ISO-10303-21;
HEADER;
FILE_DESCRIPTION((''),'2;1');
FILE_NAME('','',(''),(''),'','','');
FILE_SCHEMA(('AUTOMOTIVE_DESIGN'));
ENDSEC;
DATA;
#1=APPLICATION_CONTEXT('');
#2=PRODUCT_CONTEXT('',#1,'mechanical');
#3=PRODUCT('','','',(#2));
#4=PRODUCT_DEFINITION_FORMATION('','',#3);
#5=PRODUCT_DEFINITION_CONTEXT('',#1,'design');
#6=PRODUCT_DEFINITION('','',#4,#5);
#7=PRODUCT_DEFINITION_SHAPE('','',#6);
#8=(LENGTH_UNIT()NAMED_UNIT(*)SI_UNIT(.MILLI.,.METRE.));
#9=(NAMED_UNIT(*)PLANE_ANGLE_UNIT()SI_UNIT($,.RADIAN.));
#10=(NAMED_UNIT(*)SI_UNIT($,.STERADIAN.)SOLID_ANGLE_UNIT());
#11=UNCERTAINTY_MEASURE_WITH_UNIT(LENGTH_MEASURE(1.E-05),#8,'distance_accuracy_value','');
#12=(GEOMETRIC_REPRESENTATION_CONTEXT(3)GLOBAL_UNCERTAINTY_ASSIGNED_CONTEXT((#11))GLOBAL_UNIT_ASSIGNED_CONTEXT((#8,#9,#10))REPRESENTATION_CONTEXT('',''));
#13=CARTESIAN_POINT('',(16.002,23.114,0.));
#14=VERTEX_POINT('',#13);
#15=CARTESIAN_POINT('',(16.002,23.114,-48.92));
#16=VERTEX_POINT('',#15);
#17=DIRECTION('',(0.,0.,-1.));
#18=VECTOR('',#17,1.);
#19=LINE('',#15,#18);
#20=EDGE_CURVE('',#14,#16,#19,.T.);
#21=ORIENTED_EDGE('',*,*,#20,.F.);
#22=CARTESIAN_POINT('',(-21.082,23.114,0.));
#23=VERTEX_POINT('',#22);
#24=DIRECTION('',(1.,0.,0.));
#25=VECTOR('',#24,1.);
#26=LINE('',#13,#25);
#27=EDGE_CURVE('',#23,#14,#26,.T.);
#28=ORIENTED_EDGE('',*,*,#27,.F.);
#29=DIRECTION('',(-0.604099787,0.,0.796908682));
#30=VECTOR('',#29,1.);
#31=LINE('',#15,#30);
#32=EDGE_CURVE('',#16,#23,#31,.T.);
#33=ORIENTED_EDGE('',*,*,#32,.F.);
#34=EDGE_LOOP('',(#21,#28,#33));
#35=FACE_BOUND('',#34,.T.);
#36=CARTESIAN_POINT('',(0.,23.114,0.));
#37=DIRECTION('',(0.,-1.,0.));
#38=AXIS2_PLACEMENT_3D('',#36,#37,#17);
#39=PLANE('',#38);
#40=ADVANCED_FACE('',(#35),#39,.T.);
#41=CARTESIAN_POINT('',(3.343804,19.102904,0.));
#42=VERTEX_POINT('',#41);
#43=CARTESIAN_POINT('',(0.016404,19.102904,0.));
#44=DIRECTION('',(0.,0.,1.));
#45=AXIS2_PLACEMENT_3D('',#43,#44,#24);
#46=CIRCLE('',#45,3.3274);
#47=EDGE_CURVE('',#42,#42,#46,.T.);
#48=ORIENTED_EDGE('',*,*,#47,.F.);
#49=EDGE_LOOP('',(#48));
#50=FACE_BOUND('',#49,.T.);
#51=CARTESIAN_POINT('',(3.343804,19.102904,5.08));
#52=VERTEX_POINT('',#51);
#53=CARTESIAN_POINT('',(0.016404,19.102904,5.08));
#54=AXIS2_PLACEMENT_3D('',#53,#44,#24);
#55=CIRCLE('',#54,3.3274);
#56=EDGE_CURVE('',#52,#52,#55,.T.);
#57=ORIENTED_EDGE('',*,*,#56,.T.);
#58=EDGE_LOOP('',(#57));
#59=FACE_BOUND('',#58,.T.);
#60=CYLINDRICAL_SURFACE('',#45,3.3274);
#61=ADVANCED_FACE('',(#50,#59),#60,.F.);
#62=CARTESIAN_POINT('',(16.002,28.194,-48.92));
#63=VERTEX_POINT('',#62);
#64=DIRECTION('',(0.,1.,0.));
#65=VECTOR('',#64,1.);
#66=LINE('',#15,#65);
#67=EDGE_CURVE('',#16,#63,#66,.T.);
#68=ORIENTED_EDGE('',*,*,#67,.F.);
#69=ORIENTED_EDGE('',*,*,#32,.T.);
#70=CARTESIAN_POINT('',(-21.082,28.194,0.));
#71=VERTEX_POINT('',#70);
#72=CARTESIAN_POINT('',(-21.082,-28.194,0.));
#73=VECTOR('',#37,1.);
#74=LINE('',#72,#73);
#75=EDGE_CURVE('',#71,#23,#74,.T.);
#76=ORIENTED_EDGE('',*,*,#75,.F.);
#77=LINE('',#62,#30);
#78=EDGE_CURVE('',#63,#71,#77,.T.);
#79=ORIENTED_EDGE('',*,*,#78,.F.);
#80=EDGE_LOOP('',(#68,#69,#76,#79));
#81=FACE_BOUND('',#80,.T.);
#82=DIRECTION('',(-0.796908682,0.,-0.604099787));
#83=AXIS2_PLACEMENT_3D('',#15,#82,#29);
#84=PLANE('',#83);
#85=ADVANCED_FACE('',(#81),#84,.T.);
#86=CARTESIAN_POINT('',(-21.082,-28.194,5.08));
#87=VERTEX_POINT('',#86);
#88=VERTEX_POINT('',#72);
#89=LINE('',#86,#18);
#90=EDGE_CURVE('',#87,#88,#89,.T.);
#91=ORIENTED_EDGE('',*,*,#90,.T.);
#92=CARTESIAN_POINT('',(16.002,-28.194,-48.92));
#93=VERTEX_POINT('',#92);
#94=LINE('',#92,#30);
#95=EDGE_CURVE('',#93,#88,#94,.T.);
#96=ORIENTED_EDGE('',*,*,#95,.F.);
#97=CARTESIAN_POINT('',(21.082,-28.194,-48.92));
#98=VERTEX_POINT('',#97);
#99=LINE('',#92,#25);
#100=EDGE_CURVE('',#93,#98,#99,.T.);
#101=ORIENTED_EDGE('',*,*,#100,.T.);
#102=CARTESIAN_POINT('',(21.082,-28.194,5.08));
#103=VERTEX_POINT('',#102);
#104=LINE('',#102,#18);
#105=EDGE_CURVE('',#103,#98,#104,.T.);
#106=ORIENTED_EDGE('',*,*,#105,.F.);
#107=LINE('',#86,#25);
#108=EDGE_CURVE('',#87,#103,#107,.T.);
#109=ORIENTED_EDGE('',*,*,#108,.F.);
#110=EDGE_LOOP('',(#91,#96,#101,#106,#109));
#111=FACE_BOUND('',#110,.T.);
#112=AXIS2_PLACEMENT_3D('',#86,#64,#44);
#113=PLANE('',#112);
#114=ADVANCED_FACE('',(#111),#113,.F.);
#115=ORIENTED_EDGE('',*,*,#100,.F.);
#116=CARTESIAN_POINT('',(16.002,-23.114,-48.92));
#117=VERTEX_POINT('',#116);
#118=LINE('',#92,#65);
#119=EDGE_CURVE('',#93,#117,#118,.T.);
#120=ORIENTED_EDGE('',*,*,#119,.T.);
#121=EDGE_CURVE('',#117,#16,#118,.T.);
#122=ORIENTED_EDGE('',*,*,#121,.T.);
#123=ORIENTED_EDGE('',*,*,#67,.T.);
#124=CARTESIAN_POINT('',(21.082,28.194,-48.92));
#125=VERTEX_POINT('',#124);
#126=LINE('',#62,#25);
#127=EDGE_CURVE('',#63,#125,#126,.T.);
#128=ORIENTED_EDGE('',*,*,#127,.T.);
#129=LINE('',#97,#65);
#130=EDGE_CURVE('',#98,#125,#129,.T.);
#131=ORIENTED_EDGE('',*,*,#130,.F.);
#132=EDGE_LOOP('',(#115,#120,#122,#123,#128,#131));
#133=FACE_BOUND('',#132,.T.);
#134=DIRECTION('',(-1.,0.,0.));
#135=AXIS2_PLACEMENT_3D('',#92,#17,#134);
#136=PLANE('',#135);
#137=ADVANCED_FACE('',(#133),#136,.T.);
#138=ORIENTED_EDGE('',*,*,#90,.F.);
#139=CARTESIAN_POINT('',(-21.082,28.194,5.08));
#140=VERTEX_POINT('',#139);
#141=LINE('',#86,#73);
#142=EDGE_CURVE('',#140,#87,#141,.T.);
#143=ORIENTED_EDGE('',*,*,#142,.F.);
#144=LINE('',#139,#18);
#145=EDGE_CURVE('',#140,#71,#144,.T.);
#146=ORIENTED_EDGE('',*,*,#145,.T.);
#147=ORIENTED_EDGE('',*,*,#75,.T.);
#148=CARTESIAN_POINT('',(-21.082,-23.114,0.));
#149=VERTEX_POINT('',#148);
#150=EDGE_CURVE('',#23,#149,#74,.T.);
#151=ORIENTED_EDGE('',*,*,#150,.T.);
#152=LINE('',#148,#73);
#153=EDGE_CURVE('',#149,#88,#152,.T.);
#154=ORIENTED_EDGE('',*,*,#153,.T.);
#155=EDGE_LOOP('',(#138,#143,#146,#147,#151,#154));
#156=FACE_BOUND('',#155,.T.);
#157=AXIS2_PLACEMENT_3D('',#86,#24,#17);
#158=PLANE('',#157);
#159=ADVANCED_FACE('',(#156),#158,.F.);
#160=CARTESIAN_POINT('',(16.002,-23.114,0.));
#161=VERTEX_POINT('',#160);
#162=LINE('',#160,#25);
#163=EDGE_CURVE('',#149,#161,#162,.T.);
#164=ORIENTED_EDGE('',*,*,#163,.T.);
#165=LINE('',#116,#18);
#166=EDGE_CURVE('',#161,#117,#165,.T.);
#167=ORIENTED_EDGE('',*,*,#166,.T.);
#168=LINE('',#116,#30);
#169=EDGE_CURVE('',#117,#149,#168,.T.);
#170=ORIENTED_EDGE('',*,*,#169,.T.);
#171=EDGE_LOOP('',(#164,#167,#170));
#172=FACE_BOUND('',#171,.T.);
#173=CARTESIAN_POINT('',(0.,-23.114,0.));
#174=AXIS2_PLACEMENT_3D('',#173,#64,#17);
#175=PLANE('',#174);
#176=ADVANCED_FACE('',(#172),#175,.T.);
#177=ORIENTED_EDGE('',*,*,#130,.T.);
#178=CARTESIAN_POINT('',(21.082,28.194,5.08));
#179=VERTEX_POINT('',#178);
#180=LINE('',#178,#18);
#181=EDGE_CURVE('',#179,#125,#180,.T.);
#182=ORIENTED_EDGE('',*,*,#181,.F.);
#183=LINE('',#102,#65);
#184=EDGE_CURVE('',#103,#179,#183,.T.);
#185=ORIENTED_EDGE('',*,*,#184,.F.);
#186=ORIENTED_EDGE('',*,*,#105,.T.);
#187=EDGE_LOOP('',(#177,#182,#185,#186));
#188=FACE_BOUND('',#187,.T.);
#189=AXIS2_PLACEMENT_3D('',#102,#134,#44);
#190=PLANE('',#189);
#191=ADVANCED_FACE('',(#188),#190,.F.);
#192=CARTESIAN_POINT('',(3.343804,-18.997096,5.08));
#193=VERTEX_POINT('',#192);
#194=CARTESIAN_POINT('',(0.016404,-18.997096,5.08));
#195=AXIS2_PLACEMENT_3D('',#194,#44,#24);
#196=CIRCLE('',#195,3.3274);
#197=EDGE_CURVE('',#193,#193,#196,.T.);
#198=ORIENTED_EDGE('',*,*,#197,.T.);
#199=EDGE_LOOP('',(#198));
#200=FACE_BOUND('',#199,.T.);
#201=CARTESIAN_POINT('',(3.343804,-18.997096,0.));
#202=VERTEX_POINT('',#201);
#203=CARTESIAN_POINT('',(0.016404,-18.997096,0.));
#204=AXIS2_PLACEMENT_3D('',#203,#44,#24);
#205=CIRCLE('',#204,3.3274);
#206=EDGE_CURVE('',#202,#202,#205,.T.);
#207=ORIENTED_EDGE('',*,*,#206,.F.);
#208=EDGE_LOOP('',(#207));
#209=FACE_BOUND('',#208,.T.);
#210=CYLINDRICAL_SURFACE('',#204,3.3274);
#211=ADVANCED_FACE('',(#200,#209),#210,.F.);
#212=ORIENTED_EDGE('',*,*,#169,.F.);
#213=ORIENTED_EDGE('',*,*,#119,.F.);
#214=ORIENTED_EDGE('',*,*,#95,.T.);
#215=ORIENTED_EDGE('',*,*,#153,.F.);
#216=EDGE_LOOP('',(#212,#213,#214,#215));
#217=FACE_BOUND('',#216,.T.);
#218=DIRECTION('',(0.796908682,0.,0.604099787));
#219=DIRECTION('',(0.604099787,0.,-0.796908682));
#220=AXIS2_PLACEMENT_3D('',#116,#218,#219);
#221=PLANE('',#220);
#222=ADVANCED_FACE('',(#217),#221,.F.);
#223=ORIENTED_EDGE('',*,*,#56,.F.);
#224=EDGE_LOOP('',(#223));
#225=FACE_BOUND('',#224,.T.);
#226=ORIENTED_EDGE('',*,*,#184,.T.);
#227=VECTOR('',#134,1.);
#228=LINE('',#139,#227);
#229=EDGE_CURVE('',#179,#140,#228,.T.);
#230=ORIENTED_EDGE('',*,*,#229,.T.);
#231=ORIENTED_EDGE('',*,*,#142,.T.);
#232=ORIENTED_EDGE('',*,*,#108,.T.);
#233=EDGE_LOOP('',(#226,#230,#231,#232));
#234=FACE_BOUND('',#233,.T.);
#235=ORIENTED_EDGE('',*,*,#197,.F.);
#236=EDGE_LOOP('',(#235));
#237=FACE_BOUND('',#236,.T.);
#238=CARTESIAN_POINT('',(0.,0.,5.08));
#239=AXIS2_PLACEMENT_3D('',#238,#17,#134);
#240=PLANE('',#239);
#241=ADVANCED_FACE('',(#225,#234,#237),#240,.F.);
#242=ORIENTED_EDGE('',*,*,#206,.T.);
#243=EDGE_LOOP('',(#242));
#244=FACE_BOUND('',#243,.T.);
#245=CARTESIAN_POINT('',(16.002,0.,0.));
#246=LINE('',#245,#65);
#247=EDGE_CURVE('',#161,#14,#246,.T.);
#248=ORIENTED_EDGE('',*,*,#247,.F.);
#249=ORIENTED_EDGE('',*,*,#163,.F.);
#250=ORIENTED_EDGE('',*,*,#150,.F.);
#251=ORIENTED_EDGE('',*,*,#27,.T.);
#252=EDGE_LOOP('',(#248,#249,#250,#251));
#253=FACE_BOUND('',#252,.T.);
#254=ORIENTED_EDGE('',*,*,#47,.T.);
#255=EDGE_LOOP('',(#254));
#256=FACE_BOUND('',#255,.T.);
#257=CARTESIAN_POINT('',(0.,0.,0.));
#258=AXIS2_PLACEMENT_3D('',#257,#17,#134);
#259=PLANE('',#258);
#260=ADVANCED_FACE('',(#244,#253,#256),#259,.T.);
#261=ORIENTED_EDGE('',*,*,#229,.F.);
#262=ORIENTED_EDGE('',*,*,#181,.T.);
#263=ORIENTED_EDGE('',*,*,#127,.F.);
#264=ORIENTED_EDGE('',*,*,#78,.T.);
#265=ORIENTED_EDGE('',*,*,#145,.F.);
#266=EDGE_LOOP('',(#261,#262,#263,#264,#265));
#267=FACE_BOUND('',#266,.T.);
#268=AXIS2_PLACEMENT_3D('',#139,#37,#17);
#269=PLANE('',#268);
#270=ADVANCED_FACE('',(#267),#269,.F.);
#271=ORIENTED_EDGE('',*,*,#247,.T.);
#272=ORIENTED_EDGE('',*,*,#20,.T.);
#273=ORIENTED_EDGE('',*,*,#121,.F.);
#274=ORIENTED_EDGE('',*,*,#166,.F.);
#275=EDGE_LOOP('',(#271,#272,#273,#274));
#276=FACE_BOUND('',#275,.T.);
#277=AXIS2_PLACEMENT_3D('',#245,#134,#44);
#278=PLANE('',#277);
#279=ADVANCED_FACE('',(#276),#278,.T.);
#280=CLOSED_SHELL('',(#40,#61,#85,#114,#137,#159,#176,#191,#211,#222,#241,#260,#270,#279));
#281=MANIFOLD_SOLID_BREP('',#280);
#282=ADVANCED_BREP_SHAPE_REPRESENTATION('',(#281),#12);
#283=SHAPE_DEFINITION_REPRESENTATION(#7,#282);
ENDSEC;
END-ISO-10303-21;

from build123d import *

# Parameters (mm, degrees)
SKETCH1_W           = 42.164
SKETCH1_H           = 56.388
BOSS_EXTRUDE1_DEPTH = 5.08
SKETCH2_W           = 54
SKETCH2_H           = 56.388
BOSS_EXTRUDE2_DEPTH = 5.08
SKETCH3_R           = 3.3274
CUT_EXTRUDE1_DEPTH  = 5.08
BOSS_EXTRUDE3_DEPTH = 5.08


with BuildPart() as part:
    # Sketch1 → Boss-Extrude1 (new body)
    with BuildSketch(Plane.XY):
        Rectangle(SKETCH1_W, SKETCH1_H)
    extrude(amount=BOSS_EXTRUDE1_DEPTH)

    # Sketch2 → Boss-Extrude2 (add)
    with BuildSketch(Plane(origin=(21.082, 0, 0), x_dir=(0, 0, -1), z_dir=(1, 0, 0))):
        with Locations((21.92, 0)):
            Rectangle(SKETCH2_W, SKETCH2_H)
    extrude(amount=-BOSS_EXTRUDE2_DEPTH)

    # Sketch3 → Cut-Extrude1 (cut)
    with BuildSketch(Plane.XY.offset(5.08)):
        with Locations((0.016403531, 19.102903585)):
            Circle(SKETCH3_R)
        with Locations((0.016403531, -18.997096415)):
            Circle(SKETCH3_R)
    extrude(amount=-CUT_EXTRUDE1_DEPTH, mode=Mode.SUBTRACT)

    # Sketch4 → Boss-Extrude3 (add)
    with BuildSketch(Plane(origin=(0, 28.194, 0), x_dir=(1, 0, 0), z_dir=(0, 1, 0))):
        Polygon((16.002, 48.92), (-21.082, 0), (16.002, 0), align=None)
    boss_extrude3 = extrude(amount=-BOSS_EXTRUDE3_DEPTH)

    # Mirror1: Boss-Extrude3 across plane
    add(boss_extrude3.mirror(Plane(origin=(0, 0, 0), x_dir=(0, 0, 1), z_dir=(0, -1, 0))))


solid = part.part
